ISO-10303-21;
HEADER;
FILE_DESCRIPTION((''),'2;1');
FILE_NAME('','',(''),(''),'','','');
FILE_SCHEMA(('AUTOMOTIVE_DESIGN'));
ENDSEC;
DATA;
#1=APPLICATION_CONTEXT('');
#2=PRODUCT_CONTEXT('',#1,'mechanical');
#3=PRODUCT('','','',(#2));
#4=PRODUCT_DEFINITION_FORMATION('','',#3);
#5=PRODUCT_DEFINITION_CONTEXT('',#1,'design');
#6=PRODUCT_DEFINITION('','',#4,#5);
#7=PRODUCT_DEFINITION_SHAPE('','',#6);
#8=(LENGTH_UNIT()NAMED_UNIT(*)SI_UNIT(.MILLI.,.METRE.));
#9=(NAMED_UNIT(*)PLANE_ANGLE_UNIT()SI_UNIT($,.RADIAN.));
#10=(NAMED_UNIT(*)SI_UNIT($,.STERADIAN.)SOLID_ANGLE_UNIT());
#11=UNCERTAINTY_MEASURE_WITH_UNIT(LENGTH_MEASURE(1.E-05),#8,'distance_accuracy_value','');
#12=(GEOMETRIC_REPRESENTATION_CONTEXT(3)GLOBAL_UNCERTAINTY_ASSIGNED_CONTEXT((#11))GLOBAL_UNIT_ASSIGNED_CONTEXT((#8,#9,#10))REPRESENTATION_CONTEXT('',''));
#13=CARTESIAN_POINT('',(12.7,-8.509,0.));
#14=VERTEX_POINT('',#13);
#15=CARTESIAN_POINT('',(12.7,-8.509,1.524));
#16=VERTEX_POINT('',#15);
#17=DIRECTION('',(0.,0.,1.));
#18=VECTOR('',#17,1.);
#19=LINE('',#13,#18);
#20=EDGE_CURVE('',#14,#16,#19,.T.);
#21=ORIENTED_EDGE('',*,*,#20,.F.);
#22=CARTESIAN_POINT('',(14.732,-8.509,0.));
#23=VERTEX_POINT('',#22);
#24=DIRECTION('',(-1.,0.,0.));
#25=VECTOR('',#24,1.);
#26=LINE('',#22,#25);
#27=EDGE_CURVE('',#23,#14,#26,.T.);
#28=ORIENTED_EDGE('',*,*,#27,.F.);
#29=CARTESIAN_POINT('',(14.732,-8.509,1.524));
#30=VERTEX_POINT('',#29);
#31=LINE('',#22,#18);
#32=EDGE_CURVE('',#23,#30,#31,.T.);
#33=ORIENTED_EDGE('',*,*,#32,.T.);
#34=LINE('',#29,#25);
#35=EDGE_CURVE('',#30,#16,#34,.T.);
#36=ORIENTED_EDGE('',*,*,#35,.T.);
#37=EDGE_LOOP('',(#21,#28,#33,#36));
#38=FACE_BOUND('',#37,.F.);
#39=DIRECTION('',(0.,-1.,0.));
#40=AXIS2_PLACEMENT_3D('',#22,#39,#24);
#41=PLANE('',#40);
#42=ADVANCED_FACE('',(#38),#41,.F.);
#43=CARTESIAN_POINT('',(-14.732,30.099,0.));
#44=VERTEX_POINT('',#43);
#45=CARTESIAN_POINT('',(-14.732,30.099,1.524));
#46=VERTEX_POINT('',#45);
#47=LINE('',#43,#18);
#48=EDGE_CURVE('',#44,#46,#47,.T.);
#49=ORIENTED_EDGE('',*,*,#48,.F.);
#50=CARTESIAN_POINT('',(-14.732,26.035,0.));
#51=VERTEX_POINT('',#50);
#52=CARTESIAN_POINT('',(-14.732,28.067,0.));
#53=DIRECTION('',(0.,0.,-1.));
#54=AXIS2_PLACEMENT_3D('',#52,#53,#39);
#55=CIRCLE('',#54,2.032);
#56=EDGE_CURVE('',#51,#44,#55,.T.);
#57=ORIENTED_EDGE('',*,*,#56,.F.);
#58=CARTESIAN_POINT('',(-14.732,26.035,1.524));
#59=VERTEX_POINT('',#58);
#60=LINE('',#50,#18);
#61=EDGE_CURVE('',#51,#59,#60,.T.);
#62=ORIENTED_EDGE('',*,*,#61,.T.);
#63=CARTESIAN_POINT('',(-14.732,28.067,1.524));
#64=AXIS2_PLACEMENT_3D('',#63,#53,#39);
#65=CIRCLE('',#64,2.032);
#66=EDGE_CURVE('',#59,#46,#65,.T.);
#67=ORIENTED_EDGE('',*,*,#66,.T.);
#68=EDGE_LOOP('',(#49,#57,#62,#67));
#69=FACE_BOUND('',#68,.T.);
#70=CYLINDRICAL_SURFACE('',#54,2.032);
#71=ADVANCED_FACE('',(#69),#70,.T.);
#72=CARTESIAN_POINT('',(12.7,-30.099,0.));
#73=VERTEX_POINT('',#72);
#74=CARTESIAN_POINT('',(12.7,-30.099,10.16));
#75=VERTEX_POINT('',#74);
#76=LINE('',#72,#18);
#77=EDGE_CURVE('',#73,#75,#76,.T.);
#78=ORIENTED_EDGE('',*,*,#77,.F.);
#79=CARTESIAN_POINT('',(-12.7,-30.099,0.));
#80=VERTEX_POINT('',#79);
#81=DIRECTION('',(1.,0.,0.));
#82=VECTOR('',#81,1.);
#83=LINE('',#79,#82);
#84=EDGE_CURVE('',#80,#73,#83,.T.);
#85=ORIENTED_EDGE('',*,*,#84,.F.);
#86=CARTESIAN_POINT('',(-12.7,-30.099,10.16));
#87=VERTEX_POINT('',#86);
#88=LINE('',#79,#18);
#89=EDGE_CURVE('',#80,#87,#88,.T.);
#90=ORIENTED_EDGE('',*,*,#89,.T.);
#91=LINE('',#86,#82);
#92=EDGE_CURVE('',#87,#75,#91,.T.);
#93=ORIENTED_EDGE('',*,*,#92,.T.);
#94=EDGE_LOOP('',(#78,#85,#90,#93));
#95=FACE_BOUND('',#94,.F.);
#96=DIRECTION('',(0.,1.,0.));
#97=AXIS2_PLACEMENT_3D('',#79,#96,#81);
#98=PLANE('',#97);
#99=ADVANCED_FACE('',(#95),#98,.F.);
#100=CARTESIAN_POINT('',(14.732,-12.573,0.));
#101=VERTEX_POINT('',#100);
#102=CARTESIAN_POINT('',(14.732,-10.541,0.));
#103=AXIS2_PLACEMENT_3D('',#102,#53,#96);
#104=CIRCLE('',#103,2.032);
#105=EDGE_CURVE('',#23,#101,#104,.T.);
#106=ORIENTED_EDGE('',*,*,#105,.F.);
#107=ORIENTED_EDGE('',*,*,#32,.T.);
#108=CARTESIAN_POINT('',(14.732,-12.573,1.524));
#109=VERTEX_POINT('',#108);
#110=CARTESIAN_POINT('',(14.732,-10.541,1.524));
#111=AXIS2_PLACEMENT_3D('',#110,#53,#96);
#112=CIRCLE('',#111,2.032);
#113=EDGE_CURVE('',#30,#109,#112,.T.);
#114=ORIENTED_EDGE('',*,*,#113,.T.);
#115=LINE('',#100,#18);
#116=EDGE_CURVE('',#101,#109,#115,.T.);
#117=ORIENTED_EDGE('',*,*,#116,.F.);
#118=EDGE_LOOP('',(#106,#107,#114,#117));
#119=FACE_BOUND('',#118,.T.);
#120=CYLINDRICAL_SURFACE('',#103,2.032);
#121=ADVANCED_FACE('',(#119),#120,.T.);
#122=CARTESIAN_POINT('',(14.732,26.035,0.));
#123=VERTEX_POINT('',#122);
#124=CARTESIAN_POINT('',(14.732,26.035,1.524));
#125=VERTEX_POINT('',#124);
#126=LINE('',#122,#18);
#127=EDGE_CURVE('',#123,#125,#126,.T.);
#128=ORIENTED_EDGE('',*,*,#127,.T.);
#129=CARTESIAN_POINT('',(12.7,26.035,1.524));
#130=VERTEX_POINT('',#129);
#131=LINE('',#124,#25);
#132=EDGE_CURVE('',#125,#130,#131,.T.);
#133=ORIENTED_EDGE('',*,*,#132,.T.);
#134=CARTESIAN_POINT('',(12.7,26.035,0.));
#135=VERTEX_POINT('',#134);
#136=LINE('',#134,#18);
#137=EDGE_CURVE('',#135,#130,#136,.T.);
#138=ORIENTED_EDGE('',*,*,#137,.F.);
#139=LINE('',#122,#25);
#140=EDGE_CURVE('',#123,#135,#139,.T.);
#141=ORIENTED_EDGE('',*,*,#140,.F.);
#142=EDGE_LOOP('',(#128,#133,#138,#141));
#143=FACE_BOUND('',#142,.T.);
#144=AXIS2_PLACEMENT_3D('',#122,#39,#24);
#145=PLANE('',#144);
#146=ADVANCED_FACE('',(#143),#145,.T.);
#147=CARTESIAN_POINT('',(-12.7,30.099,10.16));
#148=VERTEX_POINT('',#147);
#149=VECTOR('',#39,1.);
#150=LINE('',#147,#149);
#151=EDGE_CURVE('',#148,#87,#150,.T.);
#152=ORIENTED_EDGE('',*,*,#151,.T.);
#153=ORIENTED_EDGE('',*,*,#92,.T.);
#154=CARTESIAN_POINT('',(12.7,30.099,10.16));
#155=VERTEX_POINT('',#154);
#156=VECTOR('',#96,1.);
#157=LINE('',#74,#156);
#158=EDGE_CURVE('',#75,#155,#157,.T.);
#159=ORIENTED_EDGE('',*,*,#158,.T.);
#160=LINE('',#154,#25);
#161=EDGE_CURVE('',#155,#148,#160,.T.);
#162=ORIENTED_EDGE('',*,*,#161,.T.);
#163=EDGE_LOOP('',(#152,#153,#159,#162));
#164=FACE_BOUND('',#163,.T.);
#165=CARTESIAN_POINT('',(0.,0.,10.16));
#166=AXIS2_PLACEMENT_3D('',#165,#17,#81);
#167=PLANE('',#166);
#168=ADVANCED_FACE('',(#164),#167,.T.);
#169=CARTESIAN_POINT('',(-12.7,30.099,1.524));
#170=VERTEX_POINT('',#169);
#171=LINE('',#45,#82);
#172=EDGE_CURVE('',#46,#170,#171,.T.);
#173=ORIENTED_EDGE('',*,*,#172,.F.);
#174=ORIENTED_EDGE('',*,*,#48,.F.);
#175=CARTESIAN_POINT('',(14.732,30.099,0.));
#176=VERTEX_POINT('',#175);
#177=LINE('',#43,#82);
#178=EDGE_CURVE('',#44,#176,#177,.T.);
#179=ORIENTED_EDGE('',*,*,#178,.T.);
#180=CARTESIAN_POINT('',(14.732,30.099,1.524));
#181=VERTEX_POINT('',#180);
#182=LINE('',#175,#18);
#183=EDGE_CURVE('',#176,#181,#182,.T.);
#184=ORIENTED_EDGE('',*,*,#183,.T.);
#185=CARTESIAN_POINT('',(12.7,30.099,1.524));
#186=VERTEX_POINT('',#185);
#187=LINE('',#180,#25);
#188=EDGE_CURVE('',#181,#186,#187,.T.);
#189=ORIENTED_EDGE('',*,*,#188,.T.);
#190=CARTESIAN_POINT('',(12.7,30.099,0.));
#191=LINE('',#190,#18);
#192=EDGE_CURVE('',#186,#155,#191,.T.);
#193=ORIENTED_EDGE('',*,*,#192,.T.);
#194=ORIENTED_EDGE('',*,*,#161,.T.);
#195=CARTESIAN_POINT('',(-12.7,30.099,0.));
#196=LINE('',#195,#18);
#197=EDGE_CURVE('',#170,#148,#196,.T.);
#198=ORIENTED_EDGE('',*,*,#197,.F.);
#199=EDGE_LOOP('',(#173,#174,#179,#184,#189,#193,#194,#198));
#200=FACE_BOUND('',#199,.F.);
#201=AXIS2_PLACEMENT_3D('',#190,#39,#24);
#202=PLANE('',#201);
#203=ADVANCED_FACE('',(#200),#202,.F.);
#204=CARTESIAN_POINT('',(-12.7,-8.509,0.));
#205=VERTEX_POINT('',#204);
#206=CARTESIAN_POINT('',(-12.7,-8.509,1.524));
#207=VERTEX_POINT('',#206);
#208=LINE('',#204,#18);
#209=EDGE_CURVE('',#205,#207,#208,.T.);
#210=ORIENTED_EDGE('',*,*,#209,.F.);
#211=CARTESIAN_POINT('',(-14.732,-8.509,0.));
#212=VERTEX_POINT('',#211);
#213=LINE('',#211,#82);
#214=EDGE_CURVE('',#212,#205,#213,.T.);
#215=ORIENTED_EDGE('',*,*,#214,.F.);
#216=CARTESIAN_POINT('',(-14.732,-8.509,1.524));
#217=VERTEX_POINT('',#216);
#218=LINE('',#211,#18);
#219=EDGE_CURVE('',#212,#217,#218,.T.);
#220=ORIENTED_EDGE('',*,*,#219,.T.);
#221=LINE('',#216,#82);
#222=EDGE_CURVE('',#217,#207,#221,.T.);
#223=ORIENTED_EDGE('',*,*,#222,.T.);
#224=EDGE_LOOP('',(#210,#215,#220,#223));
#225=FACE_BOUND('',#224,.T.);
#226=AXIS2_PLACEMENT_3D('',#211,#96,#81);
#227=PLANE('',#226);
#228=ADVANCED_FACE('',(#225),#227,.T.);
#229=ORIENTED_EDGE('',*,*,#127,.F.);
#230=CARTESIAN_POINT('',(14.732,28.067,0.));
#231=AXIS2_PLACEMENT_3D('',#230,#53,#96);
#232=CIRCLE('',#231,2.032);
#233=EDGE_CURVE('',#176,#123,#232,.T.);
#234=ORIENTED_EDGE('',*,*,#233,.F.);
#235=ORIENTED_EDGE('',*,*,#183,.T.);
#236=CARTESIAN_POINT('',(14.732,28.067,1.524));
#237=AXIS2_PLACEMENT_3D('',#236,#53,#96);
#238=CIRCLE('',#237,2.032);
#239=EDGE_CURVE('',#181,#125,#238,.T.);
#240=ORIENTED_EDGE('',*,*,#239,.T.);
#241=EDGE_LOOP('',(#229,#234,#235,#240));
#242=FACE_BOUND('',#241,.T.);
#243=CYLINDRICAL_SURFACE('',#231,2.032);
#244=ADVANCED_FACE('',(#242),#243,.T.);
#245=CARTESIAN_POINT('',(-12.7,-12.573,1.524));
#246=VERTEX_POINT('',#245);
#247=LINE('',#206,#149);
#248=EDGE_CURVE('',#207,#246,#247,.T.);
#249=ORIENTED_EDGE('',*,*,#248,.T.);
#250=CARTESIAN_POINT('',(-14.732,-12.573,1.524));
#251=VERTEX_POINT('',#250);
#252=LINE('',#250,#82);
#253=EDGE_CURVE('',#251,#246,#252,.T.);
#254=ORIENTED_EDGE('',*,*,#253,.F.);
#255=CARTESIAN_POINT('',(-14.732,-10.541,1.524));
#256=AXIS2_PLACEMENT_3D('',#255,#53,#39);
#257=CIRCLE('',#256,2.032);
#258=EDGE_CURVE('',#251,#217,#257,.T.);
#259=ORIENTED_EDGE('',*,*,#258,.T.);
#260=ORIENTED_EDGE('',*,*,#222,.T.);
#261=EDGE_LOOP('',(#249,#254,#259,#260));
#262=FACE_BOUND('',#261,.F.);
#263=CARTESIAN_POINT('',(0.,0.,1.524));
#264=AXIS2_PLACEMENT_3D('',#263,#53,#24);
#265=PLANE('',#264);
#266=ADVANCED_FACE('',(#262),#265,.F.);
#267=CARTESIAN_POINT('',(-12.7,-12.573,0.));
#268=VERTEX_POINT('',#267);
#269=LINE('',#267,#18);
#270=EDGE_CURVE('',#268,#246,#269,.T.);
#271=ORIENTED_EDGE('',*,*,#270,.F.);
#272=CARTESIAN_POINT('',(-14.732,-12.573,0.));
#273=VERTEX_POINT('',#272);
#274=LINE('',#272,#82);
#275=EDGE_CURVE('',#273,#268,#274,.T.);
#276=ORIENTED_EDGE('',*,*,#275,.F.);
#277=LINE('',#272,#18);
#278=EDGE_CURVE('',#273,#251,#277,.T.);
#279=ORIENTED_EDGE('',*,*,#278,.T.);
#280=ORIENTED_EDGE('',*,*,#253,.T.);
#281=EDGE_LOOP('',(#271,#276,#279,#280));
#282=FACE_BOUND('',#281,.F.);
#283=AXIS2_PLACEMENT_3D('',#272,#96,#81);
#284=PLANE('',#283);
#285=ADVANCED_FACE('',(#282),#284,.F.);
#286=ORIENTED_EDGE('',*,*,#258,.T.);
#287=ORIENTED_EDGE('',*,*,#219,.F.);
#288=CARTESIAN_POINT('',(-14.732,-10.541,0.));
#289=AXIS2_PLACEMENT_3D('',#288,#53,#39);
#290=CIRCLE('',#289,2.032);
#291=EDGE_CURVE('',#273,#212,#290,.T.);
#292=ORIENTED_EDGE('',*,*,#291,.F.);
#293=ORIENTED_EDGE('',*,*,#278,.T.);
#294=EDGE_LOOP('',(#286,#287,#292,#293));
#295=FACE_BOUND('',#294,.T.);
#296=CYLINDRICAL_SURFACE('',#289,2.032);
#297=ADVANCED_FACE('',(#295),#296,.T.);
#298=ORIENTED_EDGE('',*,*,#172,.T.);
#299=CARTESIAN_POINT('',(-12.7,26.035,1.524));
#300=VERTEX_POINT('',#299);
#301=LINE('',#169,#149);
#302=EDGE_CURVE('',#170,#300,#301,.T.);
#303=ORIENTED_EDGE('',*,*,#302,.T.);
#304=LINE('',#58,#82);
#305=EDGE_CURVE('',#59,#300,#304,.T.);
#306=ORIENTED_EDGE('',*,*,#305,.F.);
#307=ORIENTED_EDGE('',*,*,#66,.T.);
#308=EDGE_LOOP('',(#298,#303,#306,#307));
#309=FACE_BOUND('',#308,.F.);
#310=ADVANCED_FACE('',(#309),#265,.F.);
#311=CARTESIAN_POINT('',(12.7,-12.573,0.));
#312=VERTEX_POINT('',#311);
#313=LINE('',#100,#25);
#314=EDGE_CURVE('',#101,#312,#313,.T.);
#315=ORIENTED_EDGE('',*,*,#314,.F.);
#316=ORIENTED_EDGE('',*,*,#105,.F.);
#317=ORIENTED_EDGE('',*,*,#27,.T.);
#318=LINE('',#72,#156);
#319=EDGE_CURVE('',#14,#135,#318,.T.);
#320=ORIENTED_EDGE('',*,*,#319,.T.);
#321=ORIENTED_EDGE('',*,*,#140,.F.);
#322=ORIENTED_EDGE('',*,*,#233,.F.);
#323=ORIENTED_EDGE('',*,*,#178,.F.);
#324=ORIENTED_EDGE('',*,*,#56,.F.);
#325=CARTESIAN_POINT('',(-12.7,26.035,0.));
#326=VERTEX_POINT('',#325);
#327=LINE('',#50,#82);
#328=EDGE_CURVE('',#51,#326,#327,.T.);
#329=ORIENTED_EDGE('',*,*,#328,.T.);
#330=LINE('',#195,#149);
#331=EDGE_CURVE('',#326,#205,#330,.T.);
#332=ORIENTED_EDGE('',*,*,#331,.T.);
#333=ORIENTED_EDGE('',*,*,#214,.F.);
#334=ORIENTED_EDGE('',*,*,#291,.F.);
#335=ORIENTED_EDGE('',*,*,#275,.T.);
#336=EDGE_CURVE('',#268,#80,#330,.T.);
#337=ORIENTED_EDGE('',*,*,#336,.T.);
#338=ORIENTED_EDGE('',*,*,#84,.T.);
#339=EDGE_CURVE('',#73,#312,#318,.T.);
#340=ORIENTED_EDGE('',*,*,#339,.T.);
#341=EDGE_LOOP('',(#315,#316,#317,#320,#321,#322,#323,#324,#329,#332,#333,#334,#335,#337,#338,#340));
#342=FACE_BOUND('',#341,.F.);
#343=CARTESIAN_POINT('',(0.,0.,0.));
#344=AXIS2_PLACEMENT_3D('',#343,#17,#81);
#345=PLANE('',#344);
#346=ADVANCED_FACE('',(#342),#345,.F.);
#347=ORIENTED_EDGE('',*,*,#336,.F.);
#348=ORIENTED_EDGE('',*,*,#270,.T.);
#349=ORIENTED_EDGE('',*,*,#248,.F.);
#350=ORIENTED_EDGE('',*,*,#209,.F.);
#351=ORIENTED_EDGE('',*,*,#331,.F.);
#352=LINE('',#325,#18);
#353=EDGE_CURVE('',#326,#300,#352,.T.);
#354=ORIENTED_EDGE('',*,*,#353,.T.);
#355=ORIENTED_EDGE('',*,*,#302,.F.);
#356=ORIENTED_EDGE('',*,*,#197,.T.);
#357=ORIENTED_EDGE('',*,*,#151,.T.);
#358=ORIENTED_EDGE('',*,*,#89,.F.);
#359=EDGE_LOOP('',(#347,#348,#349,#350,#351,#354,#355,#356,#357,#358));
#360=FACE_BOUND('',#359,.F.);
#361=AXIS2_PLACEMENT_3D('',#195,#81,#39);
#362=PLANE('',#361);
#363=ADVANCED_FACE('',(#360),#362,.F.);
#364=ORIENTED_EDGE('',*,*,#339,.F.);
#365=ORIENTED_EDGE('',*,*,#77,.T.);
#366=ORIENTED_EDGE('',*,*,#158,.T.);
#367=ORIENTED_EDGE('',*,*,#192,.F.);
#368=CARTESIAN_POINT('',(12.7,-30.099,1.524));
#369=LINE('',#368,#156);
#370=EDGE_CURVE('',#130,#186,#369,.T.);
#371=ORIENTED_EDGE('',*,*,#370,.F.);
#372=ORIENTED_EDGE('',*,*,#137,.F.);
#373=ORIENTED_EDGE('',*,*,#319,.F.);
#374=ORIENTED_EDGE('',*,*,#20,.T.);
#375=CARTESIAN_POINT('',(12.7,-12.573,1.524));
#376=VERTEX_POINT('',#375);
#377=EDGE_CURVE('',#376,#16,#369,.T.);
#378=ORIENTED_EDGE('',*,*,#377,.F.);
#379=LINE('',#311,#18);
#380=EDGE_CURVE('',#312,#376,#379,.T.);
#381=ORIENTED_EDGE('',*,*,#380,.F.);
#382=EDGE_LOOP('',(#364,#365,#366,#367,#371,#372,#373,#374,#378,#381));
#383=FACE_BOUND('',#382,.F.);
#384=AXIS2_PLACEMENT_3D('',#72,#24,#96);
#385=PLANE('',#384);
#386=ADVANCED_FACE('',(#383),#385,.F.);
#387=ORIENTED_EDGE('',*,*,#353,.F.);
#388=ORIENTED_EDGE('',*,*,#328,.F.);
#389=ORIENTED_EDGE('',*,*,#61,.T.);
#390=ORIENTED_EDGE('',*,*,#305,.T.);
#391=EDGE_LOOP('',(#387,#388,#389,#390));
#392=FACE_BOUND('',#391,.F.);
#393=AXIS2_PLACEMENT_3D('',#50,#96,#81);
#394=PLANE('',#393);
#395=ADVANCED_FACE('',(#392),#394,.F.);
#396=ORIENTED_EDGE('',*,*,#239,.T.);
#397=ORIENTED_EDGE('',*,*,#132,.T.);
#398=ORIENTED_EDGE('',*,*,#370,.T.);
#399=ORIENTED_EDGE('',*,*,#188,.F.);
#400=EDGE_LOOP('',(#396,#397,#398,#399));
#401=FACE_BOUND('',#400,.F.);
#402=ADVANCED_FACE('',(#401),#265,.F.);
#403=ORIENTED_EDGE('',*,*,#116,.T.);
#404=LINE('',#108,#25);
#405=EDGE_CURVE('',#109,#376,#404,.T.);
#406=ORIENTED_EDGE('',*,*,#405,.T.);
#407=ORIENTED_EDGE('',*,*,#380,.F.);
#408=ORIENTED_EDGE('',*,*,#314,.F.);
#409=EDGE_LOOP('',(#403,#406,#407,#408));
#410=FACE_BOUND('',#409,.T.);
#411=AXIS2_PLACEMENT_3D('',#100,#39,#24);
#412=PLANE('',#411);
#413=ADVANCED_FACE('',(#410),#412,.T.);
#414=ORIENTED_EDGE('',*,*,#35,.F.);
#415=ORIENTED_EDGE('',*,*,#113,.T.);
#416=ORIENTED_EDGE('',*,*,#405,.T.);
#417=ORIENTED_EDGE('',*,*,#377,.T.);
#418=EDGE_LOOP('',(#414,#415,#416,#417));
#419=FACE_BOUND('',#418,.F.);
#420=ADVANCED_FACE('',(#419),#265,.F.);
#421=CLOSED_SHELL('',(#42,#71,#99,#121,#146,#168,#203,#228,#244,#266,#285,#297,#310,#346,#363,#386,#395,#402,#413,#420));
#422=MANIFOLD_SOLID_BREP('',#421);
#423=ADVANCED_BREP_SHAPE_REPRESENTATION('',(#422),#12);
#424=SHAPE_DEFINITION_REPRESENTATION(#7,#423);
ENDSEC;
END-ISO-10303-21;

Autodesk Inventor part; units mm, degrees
ref_plane "YZ Plane" through (0, 0, 0) normal (1, 0, 0) x (0, 1, 0)
ref_plane "XZ Plane" through (0, 0, 0) normal (0, 1, 0) x (-1, 0, 0)
ref_plane "XY Plane" through (0, 0, 0) normal (0, 0, 1) x (1, 0, 0)
sketch "Sketch1" plane through (0, 0, 0) normal (0, 0, 1) x (1, 0, 0)
  line L0 (12.7, 30.099) -> (-12.7, 30.099)
  line L1 (-12.7, 30.099) -> (-12.7, -30.099)
  line L2 (-12.7, -30.099) -> (12.7, -30.099)
  line L3 (12.7, -30.099) -> (12.7, 30.099)
  point P0 (0, 0)
  point P1 (0, 30.099)
  point P2 (-12.7, 0)
  dimension "d0" = 60.198
  dimension "d1" = 25.4
extrude "Extrusion1" add sketch "Sketch1" along normal blind 10.16
sketch "Sketch2" plane through (0, 0, 0) normal (0, 0, -1) x (-1, 0, 0)
  line L0 (-12.7, 30.099) -> (12.7, 30.099) projected
  line L1 (-12.7, -30.099) -> (-12.7, 30.099) projected
  line L2 (12.7, -30.099) -> (-12.7, -30.099) projected
  arc A0 (-14.732, 30.099) -> (-14.732, 26.035) centre (-14.732, 28.067) ccw
  line L3 (-14.732, 30.099) -> (-12.7, 30.099)
  line L4 (-14.732, 26.035) -> (-12.7, 26.035)
  line L5 (0, 30.099) -> (0, -30.099)
  arc A1 (-14.732, -8.509) -> (-14.732, -12.573) centre (-14.732, -10.541) ccw
  line L6 (-14.732, -8.509) -> (-12.7, -8.509)
  line L7 (-14.732, -12.573) -> (-12.7, -12.573)
  line L8 (-12.7, 30.099) -> (-12.7, 26.035)
  line L9 (-12.7, -8.509) -> (-12.7, -12.573)
  arc A2 (14.732, 26.035) -> (14.732, 30.099) centre (14.732, 28.067) ccw
  line L10 (14.732, 30.099) -> (12.7, 30.099)
  line L11 (14.732, 26.035) -> (12.7, 26.035)
  arc A3 (14.732, -12.573) -> (14.732, -8.509) centre (14.732, -10.541) ccw
  line L12 (14.732, -8.509) -> (12.7, -8.509)
  line L13 (14.732, -12.573) -> (12.7, -12.573)
  line L14 (12.7, 30.099) -> (12.7, 26.035)
  line L15 (12.7, -8.509) -> (12.7, -12.573)
  point P0 (0, 0)
  dimension "d4" = 2.032
  dimension "d5" = 2.032
  dimension "d6" = 42.672
extrude "Extrusion2" add sketch "Sketch2" against normal blind 1.524 contours L10 A2 L11 L14 | L1 L4 A0 L3 | L1 L7 A1 L6 | L13 L15 L12 A3
properties part number "Lisa-M"
